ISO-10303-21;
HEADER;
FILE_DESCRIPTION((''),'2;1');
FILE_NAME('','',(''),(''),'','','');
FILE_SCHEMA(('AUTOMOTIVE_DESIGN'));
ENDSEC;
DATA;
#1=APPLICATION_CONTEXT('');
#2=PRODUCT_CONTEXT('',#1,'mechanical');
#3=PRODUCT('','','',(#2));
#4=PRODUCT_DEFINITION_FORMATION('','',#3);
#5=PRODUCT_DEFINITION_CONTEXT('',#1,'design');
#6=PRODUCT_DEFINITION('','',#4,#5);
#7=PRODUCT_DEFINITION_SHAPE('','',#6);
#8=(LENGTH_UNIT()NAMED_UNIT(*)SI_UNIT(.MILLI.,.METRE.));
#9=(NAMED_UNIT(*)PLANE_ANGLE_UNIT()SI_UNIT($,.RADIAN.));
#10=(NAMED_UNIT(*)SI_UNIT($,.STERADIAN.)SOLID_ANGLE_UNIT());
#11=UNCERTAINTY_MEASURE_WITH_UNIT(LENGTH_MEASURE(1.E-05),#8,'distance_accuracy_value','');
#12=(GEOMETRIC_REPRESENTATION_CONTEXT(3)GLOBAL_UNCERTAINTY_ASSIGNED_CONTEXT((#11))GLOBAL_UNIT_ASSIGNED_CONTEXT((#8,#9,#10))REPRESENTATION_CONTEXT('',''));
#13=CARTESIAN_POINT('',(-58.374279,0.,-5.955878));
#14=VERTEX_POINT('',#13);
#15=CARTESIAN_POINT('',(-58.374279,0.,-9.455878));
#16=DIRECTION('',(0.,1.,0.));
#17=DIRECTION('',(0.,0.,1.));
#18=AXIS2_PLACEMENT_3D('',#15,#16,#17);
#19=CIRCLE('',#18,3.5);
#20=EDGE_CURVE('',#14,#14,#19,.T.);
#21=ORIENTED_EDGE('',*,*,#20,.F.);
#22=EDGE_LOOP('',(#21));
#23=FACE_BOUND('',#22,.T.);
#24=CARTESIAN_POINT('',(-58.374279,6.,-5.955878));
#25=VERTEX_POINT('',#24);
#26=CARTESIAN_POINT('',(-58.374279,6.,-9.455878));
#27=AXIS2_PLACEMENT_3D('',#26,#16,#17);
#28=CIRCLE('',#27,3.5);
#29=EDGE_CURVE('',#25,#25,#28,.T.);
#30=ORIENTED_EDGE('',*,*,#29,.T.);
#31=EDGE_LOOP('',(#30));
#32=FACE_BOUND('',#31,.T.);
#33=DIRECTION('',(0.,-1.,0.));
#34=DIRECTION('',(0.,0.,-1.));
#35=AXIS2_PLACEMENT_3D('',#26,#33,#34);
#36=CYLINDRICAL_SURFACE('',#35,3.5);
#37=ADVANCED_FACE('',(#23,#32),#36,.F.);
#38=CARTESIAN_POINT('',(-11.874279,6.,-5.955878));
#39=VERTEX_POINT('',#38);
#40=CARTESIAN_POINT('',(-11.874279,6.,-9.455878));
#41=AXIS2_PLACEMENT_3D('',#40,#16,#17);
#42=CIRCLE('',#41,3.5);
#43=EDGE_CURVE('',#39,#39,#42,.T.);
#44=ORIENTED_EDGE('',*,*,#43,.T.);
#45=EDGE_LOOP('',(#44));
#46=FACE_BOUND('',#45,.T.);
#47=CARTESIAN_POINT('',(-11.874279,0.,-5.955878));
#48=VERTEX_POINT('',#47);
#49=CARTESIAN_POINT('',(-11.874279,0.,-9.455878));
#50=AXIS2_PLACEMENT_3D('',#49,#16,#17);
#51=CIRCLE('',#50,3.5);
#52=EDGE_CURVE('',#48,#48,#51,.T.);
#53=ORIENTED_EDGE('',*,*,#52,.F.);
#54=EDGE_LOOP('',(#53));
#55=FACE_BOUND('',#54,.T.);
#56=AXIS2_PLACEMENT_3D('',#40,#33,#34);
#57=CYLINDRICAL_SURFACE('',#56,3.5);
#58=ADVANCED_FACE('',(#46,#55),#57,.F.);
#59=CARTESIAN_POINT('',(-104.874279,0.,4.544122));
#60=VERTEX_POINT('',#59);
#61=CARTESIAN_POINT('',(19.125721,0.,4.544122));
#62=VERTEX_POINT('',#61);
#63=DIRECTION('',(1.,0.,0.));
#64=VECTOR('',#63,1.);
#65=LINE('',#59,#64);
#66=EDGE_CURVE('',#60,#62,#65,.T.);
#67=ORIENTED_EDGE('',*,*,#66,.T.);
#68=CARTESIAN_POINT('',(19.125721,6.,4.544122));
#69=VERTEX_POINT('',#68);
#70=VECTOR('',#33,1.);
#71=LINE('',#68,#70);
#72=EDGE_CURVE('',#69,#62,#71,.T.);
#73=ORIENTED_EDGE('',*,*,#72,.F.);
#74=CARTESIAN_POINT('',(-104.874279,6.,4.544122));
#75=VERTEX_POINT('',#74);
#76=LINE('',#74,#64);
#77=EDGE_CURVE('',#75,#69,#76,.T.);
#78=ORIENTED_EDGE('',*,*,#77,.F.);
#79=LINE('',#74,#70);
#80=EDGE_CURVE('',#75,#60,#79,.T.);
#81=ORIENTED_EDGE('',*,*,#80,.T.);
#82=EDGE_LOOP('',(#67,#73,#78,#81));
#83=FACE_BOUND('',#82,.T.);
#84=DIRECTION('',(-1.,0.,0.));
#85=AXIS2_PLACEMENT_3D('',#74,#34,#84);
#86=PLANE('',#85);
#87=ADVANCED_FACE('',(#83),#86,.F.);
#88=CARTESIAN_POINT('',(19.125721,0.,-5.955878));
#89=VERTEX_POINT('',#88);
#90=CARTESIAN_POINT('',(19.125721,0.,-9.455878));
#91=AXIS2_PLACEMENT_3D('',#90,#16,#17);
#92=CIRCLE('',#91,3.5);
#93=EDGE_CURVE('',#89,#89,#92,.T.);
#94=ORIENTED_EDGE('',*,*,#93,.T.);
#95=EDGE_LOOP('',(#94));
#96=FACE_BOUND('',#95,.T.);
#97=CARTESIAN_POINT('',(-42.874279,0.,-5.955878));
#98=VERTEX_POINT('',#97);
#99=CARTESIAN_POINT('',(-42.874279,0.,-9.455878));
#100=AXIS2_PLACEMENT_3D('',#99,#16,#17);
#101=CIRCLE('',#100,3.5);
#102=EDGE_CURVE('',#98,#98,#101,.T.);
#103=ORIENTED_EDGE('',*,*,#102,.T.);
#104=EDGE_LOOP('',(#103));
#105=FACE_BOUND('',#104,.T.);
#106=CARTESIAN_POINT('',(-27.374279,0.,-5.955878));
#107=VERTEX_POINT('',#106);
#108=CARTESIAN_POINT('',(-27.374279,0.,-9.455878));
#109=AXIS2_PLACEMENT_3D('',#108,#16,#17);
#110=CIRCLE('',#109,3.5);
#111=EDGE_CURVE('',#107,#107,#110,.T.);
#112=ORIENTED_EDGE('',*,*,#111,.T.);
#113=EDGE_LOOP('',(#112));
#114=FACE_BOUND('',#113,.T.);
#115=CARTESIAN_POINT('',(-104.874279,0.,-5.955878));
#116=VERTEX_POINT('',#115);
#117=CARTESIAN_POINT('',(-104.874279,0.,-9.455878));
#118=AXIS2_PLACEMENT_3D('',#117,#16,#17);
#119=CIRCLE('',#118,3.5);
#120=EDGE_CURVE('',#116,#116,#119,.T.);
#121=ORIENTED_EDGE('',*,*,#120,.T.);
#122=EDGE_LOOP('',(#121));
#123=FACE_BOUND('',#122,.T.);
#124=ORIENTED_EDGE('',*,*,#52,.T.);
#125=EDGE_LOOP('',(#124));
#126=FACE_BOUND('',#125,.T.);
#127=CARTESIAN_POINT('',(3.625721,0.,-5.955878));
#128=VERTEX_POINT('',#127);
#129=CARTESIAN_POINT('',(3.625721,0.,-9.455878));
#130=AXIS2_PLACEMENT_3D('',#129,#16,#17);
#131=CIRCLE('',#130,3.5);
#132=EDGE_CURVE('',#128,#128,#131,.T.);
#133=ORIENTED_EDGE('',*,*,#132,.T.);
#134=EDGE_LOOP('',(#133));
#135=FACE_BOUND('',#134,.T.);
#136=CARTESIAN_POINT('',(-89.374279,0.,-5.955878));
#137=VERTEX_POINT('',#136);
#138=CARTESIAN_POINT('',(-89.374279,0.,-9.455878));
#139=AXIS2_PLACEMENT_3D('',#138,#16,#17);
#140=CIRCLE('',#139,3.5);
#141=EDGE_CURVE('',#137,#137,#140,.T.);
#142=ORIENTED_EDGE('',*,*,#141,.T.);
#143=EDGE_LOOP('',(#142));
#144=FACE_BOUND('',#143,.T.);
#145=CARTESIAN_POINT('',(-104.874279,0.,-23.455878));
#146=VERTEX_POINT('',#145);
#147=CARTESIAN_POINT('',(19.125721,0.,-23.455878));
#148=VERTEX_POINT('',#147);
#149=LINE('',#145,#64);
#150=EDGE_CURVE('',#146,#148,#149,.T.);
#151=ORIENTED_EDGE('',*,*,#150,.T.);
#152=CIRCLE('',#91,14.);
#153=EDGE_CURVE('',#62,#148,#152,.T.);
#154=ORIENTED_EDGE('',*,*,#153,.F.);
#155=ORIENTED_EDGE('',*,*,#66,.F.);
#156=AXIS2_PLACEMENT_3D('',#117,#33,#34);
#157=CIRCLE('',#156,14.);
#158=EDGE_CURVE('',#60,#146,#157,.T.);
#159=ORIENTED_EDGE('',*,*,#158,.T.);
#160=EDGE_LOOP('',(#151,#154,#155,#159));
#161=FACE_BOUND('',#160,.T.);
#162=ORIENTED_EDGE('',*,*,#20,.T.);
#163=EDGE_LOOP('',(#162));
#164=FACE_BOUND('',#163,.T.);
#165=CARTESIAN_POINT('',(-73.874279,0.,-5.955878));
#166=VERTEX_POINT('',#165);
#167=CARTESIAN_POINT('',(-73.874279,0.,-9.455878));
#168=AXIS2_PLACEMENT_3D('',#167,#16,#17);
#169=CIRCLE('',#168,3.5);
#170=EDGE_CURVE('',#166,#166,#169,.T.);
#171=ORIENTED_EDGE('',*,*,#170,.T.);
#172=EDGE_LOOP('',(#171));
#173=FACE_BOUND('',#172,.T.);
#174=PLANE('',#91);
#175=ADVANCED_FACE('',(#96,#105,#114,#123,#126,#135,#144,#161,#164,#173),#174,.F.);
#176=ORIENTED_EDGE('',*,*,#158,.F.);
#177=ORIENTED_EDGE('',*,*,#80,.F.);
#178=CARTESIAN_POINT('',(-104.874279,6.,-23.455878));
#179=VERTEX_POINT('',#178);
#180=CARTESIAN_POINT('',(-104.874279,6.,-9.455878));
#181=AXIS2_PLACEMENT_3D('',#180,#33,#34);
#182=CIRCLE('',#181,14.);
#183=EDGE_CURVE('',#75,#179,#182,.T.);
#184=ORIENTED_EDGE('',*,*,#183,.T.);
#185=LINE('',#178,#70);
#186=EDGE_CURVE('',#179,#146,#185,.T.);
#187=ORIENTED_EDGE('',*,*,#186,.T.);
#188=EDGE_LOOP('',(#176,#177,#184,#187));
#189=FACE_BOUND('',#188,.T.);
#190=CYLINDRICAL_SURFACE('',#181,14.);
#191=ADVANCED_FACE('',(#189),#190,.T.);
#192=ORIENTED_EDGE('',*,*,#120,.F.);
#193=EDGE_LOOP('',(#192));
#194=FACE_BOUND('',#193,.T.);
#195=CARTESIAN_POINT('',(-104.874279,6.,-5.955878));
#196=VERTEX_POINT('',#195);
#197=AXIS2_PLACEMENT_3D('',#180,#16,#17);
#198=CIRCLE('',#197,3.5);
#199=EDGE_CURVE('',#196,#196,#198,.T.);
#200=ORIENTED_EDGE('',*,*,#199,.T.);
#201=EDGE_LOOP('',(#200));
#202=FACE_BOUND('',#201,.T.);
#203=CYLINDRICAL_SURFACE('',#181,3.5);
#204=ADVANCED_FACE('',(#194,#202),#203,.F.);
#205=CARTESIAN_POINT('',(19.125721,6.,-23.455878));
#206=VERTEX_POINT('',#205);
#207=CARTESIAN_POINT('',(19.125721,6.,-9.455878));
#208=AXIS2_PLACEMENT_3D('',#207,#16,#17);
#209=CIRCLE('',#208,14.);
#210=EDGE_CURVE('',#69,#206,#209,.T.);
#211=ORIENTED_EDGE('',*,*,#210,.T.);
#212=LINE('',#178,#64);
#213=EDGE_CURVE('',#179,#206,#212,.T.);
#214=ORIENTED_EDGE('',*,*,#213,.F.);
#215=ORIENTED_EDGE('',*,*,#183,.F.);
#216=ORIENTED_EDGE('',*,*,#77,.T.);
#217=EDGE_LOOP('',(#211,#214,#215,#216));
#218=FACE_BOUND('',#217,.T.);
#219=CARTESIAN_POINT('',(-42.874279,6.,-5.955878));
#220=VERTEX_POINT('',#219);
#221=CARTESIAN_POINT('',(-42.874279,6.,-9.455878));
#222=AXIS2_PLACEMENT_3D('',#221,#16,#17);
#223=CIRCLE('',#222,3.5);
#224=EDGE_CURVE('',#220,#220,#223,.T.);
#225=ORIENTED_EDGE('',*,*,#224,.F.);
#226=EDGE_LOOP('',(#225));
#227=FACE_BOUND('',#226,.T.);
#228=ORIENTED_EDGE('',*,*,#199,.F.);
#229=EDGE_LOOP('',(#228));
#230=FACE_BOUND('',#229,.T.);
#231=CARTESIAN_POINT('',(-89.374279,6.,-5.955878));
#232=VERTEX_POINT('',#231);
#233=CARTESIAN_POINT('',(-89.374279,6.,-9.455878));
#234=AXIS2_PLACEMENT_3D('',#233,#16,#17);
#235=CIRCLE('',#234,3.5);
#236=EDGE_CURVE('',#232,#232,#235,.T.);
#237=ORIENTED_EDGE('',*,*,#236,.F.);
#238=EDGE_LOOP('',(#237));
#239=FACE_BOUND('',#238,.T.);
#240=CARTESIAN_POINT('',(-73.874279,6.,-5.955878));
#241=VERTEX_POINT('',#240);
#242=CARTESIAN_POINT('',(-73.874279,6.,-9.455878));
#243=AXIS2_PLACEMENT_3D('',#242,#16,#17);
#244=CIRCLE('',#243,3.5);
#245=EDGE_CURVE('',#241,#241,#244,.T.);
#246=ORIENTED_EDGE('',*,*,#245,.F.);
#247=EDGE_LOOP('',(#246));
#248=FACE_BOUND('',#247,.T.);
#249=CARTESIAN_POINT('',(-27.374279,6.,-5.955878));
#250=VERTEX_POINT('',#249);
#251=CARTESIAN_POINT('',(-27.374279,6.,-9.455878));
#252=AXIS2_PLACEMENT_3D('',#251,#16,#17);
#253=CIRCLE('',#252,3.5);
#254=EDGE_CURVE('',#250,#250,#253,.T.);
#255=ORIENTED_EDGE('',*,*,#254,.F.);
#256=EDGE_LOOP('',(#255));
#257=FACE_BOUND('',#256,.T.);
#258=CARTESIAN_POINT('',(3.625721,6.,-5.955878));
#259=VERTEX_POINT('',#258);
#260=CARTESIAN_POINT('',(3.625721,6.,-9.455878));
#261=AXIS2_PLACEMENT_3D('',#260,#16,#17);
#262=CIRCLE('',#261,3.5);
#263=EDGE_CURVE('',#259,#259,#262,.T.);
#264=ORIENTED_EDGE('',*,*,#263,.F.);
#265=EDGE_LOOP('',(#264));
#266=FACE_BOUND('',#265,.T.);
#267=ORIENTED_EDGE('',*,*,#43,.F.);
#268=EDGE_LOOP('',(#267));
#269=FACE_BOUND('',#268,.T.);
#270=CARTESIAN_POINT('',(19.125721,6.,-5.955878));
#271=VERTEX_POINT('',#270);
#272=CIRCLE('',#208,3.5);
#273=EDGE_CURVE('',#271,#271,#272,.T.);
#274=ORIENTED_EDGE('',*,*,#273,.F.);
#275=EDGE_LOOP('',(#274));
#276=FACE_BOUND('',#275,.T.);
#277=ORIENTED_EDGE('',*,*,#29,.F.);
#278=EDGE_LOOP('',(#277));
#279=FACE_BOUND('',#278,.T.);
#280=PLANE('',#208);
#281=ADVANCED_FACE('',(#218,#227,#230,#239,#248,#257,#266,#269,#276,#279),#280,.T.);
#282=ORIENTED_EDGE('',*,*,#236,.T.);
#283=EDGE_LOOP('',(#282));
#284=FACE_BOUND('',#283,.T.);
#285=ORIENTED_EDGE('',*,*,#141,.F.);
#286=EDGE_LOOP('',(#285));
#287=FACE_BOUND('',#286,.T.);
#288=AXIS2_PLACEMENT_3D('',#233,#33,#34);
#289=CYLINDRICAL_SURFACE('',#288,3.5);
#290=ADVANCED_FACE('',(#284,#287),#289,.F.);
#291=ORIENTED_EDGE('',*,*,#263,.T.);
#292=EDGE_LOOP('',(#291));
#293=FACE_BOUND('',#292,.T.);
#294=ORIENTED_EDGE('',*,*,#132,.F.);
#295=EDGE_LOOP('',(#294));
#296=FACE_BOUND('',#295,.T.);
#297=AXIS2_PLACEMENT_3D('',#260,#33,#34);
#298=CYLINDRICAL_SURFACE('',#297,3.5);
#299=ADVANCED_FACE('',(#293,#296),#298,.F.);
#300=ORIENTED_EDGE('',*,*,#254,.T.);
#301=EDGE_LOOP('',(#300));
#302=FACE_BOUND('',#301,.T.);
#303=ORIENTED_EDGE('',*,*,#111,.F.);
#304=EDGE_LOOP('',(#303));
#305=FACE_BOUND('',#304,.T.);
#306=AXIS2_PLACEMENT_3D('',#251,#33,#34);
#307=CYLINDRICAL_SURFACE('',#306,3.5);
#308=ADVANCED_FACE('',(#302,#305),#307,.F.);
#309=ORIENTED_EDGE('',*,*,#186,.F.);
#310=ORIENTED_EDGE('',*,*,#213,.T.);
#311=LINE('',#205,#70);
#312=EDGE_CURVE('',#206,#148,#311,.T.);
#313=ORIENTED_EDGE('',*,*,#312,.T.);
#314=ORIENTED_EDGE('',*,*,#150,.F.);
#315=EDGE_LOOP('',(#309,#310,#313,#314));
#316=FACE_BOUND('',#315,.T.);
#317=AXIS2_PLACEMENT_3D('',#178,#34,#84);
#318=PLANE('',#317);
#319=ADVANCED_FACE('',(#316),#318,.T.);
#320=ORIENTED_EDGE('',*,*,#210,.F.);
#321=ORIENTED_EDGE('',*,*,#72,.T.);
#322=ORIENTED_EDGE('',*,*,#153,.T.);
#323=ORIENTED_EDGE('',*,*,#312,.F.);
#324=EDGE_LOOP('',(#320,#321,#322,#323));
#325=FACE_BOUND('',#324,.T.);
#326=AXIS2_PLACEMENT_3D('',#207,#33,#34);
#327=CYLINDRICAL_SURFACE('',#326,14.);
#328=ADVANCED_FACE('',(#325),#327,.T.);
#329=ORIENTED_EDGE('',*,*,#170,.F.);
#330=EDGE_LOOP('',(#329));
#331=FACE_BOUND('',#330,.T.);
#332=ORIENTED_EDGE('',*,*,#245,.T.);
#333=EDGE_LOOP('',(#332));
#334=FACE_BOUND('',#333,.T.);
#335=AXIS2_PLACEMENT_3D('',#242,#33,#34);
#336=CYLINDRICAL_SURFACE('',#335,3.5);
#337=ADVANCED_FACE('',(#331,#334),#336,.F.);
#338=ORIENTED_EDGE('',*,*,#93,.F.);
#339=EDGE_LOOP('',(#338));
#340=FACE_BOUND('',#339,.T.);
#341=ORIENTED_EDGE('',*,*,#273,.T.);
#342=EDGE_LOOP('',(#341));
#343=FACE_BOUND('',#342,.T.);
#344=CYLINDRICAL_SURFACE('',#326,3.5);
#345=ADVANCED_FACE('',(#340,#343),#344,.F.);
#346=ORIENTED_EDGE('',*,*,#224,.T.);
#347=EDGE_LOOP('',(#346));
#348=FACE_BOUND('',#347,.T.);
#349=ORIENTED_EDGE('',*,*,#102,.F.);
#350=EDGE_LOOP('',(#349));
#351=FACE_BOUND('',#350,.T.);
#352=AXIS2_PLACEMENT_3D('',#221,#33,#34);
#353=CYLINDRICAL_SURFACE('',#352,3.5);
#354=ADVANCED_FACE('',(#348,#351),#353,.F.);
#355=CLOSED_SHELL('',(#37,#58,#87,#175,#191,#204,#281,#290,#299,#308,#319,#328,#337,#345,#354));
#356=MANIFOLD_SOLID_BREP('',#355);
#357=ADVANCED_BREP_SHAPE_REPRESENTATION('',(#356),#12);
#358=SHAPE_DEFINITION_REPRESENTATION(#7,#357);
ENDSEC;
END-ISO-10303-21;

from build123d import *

# Parameters (mm, degrees)
SKETCH1_R           = 3.5
BOSS_EXTRUDE1_DEPTH = 6


with BuildPart() as part:
    # Sketch1 → Boss-Extrude1 (new body)
    with BuildSketch(Plane(origin=(0, 0, 0), x_dir=(1, 0, 0), z_dir=(0, 1, 0))):
        with BuildLine():
            Line((-104.874279125, 23.455877626), (19.125720875, 23.455877626))
            ThreePointArc((19.125720875, 23.455877626), (33.125720875, 9.455877626), (19.125720875, -4.544122374))
            Line((19.125720875, -4.544122374), (-104.874279125, -4.544122374))
            ThreePointArc((-104.874279125, -4.544122374), (-118.874279125, 9.455877626), (-104.874279125, 23.455877626))
        make_face()
        with Locations(Location((-104.874279125, 9.455877626, 0), (0, 0, 270))):
            Circle(SKETCH1_R, mode=Mode.SUBTRACT)
        with Locations(Location((-89.374279125, 9.455877626, 0), (0, 0, 270))):
            Circle(SKETCH1_R, mode=Mode.SUBTRACT)
        with Locations(Location((-73.874279125, 9.455877626, 0), (0, 0, 270))):
            Circle(SKETCH1_R, mode=Mode.SUBTRACT)
        with Locations(Location((-58.374279125, 9.455877626, 0), (0, 0, 270))):
            Circle(SKETCH1_R, mode=Mode.SUBTRACT)
        with Locations(Location((-42.874279125, 9.455877626, 0), (0, 0, 270))):
            Circle(SKETCH1_R, mode=Mode.SUBTRACT)
        with Locations(Location((-27.374279125, 9.455877626, 0), (0, 0, 270))):
            Circle(SKETCH1_R, mode=Mode.SUBTRACT)
        with Locations(Location((-11.874279125, 9.455877626, 0), (0, 0, 270))):
            Circle(SKETCH1_R, mode=Mode.SUBTRACT)
        with Locations(Location((3.625720875, 9.455877626, 0), (0, 0, 270))):
            Circle(SKETCH1_R, mode=Mode.SUBTRACT)
        with Locations(Location((19.125720875, 9.455877626, 0), (0, 0, 270))):
            Circle(SKETCH1_R, mode=Mode.SUBTRACT)
    extrude(amount=BOSS_EXTRUDE1_DEPTH)


solid = part.part
